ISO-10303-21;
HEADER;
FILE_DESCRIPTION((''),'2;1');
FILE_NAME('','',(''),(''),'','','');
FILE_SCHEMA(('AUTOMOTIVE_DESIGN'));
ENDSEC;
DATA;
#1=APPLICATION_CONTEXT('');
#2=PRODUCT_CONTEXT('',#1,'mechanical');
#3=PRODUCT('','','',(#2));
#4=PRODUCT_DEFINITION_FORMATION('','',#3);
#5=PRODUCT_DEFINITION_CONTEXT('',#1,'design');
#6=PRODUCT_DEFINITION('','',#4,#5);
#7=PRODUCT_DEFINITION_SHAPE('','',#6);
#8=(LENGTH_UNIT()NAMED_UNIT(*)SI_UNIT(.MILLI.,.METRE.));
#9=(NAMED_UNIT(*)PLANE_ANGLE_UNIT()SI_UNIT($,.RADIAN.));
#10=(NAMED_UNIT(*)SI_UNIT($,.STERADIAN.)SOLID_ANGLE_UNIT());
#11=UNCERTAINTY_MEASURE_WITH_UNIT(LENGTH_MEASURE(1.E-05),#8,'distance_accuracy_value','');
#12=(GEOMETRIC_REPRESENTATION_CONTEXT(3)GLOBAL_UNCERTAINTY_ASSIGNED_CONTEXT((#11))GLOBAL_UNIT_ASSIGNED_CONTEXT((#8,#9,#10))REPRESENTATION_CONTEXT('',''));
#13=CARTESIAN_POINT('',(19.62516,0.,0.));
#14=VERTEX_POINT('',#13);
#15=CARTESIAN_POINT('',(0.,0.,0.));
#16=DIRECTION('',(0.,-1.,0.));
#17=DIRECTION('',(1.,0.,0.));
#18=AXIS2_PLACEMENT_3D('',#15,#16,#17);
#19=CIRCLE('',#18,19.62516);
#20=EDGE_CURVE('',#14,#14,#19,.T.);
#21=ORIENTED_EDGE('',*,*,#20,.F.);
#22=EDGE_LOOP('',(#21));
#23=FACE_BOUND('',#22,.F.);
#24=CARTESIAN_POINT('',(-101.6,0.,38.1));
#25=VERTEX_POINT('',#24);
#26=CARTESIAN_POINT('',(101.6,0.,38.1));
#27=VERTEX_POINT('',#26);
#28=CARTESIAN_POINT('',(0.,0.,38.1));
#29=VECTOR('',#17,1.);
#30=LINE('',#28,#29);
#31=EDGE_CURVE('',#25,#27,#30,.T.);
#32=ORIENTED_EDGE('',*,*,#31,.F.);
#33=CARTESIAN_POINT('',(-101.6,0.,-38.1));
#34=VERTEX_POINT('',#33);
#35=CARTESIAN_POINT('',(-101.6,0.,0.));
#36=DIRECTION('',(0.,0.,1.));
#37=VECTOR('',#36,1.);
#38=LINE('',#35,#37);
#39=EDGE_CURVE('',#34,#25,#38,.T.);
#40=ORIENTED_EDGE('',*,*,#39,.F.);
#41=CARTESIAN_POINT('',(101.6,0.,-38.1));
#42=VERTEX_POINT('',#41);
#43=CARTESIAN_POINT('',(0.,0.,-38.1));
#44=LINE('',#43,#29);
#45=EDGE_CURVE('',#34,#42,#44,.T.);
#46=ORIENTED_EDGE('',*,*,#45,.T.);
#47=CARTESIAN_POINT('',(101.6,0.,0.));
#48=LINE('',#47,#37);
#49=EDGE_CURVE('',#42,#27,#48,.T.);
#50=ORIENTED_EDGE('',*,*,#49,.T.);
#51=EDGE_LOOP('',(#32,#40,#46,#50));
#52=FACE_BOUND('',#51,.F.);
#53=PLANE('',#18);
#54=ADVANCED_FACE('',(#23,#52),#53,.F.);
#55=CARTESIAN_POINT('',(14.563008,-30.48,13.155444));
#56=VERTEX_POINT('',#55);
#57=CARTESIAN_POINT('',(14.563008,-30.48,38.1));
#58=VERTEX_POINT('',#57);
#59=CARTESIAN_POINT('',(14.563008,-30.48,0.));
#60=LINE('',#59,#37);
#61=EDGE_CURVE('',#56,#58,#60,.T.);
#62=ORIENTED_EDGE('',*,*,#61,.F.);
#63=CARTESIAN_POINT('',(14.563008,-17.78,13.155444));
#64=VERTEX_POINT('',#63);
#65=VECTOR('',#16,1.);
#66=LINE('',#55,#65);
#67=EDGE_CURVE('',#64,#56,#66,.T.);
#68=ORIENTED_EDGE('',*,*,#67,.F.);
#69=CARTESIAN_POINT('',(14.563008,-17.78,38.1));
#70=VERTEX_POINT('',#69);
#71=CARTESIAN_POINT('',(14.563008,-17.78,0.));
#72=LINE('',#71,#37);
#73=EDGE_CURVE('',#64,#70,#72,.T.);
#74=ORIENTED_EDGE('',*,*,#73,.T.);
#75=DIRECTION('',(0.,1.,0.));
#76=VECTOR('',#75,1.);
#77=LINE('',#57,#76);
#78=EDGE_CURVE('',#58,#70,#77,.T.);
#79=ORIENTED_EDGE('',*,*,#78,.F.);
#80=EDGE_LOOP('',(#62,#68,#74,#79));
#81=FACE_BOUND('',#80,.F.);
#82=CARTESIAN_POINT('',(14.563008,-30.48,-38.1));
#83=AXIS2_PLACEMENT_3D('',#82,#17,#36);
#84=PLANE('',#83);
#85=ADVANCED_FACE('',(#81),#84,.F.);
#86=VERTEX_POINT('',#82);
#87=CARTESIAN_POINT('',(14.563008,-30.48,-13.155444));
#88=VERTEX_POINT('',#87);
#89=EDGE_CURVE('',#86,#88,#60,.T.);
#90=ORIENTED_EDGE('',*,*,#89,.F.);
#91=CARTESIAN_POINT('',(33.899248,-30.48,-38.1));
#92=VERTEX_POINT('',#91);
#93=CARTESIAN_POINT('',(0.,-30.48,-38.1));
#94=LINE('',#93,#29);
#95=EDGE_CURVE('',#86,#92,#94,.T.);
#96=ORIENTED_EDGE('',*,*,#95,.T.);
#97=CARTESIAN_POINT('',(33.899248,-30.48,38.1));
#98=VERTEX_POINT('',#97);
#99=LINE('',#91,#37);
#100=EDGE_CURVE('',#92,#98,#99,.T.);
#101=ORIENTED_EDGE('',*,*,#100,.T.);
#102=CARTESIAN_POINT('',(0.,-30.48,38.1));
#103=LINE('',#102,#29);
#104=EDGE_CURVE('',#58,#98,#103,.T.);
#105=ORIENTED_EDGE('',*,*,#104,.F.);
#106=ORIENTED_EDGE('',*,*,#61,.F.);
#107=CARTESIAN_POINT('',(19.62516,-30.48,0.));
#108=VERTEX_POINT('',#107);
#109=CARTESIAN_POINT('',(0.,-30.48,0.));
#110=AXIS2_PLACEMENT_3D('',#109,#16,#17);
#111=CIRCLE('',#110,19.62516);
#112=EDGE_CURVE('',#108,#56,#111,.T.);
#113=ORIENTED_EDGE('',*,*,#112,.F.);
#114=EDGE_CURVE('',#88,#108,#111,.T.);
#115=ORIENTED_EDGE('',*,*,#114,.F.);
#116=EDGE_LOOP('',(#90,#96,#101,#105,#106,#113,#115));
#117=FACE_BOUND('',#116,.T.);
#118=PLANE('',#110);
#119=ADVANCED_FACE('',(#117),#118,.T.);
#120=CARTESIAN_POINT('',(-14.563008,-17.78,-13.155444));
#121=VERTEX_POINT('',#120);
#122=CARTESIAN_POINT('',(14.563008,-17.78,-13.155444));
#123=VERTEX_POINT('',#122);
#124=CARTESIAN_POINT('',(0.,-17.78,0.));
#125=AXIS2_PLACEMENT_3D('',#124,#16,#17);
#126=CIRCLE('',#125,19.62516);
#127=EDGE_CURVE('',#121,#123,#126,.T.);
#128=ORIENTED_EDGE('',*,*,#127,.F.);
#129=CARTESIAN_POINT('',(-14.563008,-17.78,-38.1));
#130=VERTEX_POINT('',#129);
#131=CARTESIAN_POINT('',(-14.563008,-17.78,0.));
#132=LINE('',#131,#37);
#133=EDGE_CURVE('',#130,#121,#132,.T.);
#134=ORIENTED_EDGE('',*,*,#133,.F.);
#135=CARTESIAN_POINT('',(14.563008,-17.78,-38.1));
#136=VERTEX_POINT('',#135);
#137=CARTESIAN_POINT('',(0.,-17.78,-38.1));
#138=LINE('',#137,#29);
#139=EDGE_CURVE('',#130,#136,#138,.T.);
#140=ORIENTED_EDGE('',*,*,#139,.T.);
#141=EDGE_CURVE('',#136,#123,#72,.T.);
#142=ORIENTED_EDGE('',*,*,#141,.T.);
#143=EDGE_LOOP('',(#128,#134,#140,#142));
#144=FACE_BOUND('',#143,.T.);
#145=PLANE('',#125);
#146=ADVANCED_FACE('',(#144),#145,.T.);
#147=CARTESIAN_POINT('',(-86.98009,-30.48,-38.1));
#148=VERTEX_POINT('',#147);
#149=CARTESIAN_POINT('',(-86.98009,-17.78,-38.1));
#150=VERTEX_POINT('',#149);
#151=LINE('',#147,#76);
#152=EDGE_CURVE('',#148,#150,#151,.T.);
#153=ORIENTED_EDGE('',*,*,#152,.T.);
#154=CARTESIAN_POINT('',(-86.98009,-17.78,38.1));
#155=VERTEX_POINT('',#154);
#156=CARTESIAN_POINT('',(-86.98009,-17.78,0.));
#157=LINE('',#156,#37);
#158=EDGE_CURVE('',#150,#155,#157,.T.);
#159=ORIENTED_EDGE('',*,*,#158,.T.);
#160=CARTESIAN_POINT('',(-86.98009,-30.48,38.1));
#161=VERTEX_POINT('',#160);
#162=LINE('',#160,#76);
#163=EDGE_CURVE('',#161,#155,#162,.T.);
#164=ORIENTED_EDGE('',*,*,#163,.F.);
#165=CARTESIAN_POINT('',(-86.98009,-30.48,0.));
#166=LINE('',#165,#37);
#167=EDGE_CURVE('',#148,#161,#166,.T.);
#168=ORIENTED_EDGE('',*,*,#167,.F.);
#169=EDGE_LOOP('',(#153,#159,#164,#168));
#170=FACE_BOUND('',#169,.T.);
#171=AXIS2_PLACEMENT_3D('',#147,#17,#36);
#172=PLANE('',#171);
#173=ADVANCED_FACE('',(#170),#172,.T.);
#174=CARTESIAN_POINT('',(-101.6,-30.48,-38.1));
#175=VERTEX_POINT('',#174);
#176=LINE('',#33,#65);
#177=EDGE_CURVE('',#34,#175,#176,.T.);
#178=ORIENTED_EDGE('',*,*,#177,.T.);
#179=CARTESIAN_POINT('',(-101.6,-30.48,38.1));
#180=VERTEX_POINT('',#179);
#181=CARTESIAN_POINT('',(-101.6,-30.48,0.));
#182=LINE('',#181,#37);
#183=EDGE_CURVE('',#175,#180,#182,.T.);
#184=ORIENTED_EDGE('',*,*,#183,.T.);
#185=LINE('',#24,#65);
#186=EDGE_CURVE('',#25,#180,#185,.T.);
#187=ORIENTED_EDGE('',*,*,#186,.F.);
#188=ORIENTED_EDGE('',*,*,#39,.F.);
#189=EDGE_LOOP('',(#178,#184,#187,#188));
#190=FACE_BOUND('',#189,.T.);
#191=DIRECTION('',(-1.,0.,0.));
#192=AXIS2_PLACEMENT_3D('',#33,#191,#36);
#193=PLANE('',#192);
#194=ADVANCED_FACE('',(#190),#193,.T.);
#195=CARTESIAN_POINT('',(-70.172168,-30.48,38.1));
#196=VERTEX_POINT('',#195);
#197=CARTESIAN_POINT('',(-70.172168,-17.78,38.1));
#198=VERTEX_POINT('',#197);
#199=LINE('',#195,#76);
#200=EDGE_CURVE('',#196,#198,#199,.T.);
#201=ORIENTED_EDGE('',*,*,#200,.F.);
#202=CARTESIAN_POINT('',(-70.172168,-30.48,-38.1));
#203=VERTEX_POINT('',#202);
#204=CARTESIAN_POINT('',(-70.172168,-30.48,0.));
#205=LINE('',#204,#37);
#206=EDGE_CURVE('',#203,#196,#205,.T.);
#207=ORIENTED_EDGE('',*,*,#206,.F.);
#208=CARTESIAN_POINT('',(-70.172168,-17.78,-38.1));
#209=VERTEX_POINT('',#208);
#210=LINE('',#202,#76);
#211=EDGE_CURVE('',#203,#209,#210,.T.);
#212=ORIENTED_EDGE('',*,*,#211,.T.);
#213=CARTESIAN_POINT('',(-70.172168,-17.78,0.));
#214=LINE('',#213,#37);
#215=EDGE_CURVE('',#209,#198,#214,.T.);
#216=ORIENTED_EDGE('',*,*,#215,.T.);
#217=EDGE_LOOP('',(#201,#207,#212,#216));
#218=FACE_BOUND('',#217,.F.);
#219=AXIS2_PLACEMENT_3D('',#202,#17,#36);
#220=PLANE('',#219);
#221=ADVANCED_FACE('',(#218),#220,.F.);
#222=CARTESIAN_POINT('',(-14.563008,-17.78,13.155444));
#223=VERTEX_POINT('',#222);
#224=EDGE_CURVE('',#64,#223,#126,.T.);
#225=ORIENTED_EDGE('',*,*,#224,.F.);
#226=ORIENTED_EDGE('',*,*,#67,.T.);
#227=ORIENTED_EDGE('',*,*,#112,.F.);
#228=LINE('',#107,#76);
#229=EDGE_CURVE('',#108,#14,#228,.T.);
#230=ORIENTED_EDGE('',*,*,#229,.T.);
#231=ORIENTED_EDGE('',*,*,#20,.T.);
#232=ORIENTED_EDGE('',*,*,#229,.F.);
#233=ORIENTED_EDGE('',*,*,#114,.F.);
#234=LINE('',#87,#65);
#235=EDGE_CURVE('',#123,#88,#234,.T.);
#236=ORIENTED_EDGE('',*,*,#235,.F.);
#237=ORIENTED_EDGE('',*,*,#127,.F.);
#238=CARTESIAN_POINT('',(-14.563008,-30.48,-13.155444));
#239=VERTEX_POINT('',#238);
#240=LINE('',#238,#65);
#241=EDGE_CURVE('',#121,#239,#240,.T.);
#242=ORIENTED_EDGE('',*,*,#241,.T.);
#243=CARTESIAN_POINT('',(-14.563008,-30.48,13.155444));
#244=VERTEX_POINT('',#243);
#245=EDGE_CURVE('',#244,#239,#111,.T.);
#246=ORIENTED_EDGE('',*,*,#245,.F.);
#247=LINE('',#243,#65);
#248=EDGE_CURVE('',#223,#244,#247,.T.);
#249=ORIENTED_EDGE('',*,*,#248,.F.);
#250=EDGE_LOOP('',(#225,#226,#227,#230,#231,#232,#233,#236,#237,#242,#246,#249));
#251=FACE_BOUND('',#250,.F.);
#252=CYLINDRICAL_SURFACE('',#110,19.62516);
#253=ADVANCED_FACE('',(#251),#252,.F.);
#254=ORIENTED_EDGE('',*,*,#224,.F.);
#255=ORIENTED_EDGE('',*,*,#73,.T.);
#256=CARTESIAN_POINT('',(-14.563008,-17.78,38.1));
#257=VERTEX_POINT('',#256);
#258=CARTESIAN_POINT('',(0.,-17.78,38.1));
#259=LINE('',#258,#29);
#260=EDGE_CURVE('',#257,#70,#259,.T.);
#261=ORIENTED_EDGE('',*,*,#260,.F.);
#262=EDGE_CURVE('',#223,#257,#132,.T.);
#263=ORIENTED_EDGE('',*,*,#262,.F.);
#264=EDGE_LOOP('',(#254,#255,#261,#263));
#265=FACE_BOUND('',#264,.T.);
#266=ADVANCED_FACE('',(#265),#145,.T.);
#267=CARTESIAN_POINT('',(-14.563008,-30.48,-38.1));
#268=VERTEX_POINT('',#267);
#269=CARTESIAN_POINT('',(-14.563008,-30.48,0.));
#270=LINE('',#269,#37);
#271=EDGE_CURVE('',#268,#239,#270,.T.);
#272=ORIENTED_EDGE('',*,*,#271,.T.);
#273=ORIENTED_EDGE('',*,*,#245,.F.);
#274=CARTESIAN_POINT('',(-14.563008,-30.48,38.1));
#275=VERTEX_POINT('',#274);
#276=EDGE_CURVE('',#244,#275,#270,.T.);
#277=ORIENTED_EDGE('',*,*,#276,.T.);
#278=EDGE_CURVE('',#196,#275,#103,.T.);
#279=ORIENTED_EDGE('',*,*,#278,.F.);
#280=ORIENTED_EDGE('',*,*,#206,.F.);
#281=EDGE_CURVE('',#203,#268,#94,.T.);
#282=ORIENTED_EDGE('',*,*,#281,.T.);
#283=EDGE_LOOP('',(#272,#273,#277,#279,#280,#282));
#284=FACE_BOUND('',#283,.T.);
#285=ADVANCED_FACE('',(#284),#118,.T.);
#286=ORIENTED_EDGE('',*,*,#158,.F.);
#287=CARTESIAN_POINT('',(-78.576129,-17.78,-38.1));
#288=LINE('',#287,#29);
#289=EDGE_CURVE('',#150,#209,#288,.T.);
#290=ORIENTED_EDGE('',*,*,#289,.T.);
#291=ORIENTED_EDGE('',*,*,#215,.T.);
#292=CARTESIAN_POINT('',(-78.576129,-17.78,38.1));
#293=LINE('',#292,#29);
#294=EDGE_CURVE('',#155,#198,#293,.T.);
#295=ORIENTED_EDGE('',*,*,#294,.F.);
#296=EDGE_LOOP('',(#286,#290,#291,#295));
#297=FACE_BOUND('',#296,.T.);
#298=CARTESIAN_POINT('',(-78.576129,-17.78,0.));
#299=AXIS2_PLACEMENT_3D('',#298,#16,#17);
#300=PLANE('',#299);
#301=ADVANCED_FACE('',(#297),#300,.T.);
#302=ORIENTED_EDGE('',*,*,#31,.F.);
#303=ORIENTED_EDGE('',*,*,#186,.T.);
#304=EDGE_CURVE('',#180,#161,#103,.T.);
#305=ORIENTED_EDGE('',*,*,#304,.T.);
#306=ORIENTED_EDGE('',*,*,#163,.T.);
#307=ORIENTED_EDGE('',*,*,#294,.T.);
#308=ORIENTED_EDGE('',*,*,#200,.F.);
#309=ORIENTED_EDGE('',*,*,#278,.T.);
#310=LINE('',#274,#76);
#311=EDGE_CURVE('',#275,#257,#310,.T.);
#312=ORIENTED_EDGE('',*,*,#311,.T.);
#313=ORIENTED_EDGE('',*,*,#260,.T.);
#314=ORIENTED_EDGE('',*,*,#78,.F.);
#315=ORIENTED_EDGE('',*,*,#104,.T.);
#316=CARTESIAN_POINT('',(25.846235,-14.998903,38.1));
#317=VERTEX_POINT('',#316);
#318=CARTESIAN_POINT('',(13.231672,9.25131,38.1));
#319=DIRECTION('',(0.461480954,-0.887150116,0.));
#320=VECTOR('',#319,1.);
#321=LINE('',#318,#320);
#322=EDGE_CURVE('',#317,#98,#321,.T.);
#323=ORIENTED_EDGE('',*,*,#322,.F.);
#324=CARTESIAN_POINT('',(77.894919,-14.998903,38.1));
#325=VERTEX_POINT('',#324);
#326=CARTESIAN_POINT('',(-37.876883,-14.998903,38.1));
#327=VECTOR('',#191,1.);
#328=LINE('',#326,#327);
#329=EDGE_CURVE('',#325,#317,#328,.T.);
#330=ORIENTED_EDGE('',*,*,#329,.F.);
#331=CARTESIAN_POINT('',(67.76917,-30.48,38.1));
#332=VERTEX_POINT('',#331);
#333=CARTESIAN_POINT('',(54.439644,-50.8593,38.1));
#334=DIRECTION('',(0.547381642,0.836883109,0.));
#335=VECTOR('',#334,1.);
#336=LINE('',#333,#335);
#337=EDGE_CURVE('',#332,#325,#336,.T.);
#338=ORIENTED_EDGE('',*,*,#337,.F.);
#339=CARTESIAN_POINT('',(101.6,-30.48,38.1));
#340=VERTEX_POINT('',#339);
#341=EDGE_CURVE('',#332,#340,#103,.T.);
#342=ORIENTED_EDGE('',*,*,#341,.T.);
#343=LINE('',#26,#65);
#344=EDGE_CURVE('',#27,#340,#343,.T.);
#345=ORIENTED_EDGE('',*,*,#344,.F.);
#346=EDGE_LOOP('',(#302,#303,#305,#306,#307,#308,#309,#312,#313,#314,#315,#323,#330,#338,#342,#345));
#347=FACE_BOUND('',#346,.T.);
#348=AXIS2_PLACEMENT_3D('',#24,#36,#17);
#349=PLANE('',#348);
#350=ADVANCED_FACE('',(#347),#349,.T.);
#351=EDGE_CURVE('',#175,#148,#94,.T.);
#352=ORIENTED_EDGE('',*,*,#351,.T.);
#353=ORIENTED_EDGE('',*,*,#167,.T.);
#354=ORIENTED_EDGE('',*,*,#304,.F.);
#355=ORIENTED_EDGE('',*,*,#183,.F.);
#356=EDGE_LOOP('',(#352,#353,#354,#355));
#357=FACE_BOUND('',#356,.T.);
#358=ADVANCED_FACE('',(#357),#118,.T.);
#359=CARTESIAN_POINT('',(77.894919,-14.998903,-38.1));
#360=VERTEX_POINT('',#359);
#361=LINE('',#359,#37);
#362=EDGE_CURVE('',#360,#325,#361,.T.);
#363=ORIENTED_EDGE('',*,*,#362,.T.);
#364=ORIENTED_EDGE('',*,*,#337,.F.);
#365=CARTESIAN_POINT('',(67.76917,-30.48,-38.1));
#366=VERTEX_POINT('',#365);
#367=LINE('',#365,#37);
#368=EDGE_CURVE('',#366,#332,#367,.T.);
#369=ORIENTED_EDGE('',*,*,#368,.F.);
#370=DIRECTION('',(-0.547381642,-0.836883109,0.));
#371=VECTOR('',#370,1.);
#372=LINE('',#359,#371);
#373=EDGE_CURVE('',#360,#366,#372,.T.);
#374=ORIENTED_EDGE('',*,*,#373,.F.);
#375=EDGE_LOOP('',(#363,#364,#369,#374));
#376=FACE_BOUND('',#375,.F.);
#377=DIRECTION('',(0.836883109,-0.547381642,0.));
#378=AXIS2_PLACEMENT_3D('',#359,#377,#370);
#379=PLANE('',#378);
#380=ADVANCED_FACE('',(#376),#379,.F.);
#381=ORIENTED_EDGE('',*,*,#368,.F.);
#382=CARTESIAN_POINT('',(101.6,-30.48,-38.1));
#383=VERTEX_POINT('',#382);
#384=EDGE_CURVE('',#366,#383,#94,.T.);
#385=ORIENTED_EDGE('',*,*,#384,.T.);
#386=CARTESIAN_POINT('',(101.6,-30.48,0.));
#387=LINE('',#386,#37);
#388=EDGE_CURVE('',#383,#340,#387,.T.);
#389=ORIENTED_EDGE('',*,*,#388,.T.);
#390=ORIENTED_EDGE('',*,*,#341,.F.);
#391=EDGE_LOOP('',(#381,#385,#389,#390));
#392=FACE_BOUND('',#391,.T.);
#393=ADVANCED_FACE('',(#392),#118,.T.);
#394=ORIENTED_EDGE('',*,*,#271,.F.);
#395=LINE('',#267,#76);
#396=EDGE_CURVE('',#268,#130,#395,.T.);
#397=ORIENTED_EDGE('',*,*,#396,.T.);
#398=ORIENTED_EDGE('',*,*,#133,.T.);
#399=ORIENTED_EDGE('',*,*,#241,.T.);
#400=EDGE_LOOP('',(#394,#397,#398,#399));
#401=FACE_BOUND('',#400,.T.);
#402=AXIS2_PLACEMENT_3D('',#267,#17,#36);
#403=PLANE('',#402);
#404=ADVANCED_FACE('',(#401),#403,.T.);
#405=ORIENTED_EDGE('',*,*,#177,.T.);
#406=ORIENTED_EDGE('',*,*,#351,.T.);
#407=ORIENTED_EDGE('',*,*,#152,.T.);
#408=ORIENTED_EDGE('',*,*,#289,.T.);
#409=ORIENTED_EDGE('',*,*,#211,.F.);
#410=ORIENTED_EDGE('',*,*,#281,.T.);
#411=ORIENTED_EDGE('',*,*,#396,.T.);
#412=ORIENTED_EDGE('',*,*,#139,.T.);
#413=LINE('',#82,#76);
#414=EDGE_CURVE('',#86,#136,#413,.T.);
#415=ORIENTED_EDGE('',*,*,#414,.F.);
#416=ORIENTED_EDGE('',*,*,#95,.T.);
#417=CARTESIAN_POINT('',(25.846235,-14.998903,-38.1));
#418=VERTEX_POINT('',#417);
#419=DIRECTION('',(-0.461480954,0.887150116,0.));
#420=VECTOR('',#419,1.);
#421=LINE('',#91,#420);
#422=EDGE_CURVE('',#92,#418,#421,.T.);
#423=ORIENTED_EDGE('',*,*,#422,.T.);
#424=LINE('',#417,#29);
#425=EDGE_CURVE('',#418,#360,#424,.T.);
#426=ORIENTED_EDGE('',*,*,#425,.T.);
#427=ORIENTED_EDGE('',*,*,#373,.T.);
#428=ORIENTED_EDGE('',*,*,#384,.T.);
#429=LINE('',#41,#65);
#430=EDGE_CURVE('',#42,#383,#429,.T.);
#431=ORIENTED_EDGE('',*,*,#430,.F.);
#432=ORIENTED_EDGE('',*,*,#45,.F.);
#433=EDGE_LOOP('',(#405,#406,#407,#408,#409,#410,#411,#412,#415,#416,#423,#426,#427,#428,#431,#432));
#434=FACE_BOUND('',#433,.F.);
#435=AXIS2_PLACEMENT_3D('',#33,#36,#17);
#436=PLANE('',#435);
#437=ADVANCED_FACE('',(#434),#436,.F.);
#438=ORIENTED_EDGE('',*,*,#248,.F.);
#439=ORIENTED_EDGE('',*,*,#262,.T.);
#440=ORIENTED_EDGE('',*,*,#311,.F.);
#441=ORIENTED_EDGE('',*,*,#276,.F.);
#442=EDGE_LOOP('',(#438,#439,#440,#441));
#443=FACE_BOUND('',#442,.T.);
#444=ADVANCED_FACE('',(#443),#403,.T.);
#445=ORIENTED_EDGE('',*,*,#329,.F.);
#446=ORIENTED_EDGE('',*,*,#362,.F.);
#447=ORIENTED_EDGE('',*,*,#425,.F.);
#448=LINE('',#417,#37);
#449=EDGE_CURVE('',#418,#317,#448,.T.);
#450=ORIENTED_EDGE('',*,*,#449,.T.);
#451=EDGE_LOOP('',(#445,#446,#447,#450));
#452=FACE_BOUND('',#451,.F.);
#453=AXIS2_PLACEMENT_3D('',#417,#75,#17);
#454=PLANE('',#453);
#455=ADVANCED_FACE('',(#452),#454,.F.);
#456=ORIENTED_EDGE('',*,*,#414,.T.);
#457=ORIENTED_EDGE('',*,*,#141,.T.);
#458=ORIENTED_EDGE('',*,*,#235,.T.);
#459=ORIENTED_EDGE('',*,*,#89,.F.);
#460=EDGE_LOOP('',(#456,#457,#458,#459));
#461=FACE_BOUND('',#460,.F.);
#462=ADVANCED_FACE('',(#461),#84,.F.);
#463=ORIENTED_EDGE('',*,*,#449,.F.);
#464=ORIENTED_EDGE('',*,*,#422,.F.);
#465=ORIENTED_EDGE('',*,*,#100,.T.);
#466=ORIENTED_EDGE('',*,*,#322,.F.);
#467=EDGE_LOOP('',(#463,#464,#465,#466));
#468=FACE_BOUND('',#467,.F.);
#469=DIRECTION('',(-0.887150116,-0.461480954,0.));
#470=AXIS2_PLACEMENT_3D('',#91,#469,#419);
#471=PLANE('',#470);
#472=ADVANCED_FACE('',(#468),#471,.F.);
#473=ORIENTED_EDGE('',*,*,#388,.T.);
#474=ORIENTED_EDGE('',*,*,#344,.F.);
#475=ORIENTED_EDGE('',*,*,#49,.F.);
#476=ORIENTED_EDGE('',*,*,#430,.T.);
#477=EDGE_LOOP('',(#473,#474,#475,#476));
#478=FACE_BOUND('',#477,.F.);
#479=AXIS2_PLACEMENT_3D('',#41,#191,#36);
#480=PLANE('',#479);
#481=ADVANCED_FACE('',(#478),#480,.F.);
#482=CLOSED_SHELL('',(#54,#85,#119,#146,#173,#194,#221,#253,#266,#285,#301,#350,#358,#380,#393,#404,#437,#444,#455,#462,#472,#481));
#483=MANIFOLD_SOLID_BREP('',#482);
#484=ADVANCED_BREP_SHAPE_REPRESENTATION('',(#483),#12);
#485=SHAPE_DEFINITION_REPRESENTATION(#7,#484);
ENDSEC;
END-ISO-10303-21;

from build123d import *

# Parameters (mm, degrees)
F0_W     = 203.2
F0_H     = 76.2
F1_DEPTH = 30.48
F2_R     = 19.62516
F3_DEPTH = 30.481
F4_W     = 16.807922
F4_H     = 76.2
F4_W_2   = 29.126016
F5_DEPTH = 12.7
F7_DEPTH = 76.201


with BuildPart() as f1:
    # F0 (on Front) → F1 (new body)
    with BuildSketch(Plane.XZ):
        Rectangle(F0_W, F0_H)
    extrude(amount=F1_DEPTH)

    # F2 (on face) → F3 (cut, through all)
    with BuildSketch(Plane.XZ.offset(30.48)):
        Circle(F2_R)
    extrude(amount=-F3_DEPTH, mode=Mode.SUBTRACT)

    # F4 (on face) → F5 (cut)
    with BuildSketch(Plane.XZ.offset(30.48)):
        with Locations((-78.576129, 0)):
            Rectangle(F4_W, F4_H)
        Rectangle(F4_W_2, F4_H)
    extrude(amount=-F5_DEPTH, mode=Mode.SUBTRACT)

    # F6 (on face) → F7 (cut, through all)
    with BuildSketch(Plane(origin=(0, 0, -38.1), x_dir=(1, 0, 0), z_dir=(0, 0, -1))):
        Polygon((67.76917, 30.48), (33.899248, 30.48), (25.846235, 14.998903), (77.894919, 14.998903), align=None)
    extrude(amount=-F7_DEPTH, mode=Mode.SUBTRACT)


solid = f1.part
